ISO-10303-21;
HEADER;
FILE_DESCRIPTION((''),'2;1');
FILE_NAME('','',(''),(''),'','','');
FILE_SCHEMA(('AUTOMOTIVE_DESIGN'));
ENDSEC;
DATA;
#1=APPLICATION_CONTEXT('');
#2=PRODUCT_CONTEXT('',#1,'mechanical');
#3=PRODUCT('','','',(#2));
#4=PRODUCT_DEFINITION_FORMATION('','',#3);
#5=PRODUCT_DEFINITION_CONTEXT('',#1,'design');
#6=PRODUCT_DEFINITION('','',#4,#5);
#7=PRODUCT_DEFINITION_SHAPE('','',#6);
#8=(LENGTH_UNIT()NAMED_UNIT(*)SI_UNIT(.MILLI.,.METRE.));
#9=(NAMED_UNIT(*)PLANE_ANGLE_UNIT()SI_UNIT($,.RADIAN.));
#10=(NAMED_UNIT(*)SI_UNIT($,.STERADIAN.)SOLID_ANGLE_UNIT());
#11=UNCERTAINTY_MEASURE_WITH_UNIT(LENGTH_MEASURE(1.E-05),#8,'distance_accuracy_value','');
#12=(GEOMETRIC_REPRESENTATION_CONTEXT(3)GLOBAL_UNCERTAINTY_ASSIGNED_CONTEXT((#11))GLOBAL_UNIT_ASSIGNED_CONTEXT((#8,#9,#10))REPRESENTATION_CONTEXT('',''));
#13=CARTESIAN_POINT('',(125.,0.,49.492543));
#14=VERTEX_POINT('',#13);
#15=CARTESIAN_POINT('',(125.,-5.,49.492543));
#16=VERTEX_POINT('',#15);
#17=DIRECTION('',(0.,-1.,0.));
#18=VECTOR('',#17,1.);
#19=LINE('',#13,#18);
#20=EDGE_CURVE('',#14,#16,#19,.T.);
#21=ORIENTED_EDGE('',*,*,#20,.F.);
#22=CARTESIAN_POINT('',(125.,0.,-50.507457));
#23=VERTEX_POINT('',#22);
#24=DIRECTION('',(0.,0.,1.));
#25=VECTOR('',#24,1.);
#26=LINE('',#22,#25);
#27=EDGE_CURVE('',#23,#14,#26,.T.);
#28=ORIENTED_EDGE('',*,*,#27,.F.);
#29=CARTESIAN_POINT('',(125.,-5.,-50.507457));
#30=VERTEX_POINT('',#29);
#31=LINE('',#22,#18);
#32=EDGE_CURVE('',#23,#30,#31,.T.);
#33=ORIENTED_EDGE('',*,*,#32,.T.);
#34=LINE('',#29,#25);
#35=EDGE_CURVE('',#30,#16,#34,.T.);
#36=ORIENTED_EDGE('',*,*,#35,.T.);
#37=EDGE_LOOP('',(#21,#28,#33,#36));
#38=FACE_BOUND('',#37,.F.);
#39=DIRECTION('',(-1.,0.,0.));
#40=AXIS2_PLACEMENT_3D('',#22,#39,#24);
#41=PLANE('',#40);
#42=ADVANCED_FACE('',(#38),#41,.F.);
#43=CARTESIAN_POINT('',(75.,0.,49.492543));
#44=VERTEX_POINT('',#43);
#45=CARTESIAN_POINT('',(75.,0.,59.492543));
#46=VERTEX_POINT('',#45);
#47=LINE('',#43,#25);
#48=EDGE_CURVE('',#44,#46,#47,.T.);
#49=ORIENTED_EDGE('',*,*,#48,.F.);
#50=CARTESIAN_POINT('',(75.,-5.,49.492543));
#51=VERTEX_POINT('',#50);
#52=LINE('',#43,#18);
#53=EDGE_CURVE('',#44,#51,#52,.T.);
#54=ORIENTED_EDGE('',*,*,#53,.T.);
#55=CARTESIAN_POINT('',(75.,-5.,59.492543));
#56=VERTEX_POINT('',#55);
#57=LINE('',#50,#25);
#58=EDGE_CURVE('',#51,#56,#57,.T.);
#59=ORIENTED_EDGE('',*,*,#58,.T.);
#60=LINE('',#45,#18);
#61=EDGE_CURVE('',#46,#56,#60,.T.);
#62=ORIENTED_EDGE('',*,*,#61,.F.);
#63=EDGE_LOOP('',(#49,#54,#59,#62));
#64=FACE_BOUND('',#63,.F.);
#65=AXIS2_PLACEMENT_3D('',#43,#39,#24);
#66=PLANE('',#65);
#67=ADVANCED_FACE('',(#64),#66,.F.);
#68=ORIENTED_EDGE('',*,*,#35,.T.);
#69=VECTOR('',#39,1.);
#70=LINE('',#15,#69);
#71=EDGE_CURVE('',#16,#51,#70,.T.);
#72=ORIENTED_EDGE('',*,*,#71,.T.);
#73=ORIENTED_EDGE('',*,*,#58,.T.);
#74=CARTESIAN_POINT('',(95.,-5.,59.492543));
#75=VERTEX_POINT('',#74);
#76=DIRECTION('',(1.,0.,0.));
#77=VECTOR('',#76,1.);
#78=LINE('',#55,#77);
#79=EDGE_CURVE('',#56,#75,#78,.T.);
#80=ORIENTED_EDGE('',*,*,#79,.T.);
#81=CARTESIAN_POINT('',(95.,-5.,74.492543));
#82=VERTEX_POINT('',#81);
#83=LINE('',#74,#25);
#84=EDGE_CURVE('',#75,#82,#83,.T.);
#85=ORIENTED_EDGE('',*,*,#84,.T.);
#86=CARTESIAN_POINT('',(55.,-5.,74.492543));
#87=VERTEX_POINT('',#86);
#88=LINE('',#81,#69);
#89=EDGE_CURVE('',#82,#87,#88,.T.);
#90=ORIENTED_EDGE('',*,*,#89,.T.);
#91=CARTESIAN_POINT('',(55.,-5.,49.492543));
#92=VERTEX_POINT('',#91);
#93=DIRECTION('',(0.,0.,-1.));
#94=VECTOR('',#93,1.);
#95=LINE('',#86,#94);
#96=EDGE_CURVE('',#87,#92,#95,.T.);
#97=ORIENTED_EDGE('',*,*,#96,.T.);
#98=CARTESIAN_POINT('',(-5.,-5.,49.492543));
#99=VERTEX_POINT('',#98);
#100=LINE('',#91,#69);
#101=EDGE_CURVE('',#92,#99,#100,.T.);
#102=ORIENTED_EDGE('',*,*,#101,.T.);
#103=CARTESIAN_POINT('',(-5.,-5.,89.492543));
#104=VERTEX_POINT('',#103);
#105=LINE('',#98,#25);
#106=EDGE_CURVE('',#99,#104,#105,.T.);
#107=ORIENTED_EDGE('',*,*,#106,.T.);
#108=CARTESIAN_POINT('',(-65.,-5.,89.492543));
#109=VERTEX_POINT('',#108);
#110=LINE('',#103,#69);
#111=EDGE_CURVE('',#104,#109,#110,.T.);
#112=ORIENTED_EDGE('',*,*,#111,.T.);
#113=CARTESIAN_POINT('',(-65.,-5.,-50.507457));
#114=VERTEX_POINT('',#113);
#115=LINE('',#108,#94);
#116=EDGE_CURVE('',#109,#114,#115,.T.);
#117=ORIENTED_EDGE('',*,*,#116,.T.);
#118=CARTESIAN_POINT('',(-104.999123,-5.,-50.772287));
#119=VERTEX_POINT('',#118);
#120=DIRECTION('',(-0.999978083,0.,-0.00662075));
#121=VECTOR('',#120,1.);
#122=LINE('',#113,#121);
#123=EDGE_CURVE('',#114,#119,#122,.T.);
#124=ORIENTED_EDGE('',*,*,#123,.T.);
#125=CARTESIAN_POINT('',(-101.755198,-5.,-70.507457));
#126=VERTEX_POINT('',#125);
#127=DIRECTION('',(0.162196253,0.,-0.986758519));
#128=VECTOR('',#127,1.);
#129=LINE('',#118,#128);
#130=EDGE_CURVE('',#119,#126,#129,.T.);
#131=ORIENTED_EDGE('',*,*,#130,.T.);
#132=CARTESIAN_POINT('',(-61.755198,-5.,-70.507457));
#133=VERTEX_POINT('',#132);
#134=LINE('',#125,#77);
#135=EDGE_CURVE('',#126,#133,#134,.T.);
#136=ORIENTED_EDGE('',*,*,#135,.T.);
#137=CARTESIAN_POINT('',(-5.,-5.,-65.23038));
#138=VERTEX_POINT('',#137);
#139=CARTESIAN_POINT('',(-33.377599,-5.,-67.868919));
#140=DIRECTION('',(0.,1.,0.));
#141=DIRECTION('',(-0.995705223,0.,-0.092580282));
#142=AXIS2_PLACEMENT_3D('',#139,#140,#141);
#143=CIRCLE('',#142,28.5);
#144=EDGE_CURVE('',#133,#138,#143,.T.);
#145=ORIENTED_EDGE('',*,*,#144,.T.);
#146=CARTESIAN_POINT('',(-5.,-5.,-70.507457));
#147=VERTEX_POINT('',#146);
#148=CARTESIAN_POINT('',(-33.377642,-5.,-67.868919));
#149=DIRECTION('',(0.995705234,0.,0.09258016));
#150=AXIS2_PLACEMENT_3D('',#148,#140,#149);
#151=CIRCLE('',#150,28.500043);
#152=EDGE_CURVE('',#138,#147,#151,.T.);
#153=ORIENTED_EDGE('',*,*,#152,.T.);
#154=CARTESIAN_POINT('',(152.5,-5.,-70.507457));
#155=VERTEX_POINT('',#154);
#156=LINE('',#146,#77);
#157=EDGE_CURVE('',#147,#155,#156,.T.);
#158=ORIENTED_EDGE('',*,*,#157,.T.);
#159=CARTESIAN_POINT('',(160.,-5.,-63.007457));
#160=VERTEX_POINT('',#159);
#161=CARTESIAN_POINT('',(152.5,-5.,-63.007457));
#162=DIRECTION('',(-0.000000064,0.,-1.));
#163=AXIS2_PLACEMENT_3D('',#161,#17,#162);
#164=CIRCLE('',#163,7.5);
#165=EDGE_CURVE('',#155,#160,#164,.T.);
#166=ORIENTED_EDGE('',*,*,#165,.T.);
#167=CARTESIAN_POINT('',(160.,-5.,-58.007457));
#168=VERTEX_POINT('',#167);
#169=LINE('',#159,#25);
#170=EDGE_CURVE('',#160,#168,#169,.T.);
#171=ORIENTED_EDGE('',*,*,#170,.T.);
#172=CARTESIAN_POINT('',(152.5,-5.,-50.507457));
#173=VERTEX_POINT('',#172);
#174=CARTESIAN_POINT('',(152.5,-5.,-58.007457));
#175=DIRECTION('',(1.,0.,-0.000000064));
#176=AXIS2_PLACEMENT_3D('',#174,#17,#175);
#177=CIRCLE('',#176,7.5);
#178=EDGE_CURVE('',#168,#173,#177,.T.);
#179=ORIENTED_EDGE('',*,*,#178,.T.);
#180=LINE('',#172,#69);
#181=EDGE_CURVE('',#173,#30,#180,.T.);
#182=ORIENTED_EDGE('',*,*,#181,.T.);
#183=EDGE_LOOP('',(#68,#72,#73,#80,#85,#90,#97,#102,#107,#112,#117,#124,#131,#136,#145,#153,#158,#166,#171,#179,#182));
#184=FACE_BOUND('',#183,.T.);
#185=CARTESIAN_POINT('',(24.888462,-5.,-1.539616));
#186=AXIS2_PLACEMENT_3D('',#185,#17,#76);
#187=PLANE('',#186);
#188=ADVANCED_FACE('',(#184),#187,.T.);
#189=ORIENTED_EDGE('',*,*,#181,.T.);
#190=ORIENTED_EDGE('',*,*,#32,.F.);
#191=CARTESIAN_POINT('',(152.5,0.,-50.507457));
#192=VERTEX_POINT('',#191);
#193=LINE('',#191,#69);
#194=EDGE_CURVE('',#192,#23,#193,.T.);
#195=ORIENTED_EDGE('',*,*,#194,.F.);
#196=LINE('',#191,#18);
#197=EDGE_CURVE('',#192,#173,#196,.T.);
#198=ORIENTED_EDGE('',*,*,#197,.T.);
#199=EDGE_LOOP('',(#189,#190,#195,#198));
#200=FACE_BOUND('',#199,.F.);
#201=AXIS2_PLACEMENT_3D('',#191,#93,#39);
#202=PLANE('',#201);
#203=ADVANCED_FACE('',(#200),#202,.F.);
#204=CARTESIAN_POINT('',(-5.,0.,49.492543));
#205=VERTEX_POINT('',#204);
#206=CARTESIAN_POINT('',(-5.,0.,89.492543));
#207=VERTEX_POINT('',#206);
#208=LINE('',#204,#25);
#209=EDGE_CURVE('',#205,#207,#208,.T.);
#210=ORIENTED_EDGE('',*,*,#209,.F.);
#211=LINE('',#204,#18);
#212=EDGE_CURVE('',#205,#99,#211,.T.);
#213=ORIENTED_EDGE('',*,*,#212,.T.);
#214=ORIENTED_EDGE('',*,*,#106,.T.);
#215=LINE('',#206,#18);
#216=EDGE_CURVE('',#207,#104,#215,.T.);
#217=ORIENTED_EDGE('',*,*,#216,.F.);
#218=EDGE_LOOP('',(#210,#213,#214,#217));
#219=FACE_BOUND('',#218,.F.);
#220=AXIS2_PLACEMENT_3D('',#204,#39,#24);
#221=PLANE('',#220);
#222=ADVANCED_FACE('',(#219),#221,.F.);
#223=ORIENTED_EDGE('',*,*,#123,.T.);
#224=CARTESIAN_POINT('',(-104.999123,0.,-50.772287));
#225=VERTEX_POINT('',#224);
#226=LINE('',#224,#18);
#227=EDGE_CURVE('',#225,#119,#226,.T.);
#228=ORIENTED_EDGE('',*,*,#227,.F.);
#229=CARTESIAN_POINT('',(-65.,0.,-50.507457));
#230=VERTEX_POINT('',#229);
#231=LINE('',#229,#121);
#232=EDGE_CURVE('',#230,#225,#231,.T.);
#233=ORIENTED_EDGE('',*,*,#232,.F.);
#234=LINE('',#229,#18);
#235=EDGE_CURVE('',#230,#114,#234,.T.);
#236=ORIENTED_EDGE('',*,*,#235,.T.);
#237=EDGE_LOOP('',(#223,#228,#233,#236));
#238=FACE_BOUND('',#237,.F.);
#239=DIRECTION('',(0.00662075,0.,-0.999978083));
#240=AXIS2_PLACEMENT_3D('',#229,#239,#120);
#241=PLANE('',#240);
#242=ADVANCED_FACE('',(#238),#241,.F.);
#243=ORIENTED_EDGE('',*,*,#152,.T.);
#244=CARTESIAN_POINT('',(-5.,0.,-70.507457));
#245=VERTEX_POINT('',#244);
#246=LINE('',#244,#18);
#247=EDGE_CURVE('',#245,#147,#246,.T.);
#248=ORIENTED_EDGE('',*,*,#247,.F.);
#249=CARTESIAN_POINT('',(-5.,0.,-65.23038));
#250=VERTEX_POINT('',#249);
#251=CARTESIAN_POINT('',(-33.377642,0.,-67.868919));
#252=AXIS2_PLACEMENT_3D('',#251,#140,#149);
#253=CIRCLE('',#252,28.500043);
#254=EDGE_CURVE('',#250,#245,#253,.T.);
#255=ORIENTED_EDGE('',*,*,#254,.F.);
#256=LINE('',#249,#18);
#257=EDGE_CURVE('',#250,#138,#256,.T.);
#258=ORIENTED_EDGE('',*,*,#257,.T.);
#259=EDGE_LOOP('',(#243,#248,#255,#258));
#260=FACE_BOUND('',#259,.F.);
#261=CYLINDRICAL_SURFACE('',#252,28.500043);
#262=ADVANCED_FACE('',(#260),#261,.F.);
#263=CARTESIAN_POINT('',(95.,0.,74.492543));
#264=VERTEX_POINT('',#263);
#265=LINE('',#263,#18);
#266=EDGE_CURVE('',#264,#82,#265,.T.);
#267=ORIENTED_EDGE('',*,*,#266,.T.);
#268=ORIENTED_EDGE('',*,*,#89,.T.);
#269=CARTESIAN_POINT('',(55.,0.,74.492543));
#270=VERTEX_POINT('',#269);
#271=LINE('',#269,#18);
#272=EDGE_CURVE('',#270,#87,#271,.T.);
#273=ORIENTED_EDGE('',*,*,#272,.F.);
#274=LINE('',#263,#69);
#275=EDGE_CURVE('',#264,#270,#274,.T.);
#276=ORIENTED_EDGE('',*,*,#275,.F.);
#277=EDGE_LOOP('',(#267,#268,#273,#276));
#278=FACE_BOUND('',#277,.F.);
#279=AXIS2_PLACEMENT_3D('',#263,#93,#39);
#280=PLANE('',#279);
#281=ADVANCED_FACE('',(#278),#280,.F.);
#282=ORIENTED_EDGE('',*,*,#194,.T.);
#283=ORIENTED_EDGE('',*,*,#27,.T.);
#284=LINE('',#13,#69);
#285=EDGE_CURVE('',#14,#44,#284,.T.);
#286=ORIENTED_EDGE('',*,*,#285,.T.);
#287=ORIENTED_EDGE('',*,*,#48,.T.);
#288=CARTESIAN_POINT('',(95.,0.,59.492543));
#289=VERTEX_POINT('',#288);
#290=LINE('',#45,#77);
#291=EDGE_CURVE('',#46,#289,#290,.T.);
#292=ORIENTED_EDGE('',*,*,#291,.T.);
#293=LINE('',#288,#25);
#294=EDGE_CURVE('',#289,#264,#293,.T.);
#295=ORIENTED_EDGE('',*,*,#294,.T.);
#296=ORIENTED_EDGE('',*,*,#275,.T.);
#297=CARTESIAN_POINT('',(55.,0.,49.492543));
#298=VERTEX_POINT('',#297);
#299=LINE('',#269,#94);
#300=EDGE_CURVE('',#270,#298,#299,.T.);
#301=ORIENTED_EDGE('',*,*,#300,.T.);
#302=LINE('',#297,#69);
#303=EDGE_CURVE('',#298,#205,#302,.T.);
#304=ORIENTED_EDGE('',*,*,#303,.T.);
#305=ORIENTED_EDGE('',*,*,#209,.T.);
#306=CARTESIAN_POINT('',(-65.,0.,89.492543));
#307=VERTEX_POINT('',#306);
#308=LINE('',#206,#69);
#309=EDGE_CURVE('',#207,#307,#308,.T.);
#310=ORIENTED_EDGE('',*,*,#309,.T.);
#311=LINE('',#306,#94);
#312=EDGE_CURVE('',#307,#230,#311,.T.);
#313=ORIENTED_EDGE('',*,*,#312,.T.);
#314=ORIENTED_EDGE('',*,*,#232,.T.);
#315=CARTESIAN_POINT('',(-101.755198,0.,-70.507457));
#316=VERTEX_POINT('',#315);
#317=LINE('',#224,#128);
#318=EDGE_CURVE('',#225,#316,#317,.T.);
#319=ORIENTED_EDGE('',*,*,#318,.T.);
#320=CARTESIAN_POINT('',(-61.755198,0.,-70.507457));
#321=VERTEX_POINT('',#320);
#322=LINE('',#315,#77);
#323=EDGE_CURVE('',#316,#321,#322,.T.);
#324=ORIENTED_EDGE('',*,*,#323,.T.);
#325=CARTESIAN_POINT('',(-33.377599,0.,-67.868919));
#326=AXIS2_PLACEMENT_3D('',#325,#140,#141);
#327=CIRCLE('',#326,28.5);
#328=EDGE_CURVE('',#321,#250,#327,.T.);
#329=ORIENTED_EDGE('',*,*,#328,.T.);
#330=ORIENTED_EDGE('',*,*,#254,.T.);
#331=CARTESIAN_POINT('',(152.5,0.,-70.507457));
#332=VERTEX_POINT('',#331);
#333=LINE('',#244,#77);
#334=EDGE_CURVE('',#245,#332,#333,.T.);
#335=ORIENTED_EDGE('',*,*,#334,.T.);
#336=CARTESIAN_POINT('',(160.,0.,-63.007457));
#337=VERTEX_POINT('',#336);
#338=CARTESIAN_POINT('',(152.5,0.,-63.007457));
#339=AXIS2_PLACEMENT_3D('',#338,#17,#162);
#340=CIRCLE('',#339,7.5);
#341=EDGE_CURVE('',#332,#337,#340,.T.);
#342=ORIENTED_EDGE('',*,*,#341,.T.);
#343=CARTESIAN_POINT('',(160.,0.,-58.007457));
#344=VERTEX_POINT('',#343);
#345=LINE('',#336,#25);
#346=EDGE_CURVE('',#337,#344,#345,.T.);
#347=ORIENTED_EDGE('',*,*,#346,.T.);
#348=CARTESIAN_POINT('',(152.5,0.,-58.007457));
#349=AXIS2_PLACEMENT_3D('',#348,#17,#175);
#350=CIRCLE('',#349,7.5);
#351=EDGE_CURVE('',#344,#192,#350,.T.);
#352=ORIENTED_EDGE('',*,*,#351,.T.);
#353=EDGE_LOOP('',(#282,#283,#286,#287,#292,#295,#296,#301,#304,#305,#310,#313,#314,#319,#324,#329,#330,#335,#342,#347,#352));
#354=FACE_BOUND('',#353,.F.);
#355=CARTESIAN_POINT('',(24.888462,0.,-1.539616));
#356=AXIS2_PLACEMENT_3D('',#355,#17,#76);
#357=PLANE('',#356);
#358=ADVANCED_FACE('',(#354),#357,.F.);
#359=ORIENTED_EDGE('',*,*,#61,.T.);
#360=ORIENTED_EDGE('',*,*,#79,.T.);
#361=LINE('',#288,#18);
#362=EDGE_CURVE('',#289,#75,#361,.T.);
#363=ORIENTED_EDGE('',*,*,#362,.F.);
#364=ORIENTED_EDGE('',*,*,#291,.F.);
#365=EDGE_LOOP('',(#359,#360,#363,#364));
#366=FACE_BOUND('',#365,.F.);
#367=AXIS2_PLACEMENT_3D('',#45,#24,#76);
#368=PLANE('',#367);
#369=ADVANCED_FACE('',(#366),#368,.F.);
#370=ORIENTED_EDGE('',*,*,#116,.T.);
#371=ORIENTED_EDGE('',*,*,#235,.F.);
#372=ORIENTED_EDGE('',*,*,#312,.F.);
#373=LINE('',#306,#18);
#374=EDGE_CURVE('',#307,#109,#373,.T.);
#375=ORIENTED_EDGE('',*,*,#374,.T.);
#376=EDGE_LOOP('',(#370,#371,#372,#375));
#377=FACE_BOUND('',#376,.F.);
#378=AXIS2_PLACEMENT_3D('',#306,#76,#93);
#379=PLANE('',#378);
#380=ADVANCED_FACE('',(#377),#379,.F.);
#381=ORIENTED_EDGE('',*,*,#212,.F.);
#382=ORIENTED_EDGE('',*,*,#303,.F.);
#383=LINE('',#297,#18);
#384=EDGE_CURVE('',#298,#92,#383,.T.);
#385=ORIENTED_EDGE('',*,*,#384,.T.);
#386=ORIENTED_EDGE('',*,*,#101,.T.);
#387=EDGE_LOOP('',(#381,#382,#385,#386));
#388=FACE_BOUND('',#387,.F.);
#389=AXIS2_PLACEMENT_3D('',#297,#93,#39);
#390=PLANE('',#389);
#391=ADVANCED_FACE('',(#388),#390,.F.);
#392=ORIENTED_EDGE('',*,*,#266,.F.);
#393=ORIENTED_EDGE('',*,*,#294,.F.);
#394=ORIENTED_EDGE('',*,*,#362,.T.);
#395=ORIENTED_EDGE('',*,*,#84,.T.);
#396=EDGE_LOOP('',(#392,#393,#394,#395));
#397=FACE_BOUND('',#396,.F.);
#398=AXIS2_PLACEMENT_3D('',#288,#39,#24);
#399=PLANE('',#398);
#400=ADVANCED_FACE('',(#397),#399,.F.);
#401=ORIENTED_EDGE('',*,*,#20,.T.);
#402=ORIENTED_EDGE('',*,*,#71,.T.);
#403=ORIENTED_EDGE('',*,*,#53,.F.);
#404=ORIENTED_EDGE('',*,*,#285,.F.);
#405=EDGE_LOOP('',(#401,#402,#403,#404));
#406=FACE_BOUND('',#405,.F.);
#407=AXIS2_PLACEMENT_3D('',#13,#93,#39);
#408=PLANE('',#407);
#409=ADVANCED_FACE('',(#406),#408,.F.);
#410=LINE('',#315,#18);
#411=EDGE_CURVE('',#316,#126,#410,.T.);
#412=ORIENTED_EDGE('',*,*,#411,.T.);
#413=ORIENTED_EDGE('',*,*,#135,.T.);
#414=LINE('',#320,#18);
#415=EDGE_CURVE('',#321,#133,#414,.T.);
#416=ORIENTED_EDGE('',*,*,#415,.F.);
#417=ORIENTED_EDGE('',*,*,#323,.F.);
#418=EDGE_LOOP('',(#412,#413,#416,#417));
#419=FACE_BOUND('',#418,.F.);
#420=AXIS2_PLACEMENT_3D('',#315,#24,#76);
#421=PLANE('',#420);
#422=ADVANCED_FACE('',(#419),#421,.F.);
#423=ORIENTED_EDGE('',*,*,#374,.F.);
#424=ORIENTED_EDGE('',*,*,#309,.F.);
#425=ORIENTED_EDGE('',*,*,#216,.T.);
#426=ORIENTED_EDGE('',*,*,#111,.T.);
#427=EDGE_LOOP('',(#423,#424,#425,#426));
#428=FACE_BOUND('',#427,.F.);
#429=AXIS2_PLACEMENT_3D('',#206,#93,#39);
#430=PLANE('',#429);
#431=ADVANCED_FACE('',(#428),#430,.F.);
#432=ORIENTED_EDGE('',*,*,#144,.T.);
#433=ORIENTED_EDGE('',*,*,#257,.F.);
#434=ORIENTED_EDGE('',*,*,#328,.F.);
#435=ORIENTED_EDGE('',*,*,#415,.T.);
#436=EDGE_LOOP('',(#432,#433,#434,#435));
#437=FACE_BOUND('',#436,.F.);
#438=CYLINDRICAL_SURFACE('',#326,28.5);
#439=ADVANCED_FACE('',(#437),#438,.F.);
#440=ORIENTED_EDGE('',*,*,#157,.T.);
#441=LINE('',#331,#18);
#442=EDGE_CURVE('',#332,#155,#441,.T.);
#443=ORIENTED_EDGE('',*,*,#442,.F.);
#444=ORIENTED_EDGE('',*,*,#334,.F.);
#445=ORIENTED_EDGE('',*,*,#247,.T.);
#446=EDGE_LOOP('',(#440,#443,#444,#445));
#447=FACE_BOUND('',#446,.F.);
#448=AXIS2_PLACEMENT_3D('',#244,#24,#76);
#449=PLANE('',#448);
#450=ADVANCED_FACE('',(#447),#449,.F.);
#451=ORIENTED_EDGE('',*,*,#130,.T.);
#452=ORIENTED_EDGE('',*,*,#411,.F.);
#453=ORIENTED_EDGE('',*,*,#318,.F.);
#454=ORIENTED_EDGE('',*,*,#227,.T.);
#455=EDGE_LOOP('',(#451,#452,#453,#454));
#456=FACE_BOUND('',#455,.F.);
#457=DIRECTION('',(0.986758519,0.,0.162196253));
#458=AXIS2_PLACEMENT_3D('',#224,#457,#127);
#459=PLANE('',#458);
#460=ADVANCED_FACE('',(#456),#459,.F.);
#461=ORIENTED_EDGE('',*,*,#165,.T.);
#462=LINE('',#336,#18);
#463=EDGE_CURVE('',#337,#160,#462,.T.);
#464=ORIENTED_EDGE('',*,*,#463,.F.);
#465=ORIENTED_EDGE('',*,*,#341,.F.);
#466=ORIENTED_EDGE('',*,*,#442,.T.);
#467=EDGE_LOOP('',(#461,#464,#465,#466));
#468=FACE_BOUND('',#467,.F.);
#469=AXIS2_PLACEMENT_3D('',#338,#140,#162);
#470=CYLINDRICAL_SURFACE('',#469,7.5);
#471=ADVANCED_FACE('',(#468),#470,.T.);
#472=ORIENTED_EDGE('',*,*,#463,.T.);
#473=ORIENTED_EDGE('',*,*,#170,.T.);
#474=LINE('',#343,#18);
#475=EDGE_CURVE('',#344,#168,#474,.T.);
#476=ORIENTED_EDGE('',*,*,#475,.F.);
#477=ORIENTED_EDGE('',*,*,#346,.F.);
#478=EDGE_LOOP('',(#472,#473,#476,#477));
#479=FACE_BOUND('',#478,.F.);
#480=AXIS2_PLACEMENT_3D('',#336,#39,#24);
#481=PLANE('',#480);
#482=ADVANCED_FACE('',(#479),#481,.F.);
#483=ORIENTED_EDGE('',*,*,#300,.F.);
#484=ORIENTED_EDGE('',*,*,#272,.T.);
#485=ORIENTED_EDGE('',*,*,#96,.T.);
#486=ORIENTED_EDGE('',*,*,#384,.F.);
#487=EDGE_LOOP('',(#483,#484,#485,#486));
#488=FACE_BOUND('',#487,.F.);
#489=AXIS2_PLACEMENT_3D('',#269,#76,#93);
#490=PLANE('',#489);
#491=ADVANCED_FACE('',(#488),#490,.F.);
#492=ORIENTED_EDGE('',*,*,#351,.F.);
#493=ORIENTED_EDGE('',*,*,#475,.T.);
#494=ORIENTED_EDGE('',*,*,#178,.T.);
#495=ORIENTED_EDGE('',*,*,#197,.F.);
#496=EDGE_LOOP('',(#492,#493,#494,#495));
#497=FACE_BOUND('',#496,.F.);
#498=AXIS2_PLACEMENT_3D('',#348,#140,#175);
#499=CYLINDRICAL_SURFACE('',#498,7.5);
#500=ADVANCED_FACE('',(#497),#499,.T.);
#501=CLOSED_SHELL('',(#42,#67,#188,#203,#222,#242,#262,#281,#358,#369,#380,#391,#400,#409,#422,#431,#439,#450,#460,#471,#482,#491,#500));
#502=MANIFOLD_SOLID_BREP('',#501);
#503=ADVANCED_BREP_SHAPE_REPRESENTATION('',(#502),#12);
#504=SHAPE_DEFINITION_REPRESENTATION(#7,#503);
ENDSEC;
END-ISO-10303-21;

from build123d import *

# Parameters (mm, degrees)
F1_DEPTH = 5


with BuildPart() as f1:
    # F0 (on Front) → F1 (new body)
    with BuildSketch(Plane.XZ):
        with BuildLine():
            Line((-5, 89.492543), (-65, 89.492543))
            Line((-65, 89.492543), (-65, -50.507457))
            Line((-65, -50.507457), (-104.999123, -50.772287))
            Line((-104.999123, -50.772287), (-101.755198, -70.507457))
            Line((-101.755198, -70.507457), (-61.755198, -70.507457))
            ThreePointArc((-61.755198, -70.507457), (-36.016138, -39.49132), (-5, -65.23038))
            ThreePointArc((-5, -65.23038), (-4.877599, -67.868918), (-5, -70.507457))
            Line((-5, -70.507457), (125, -70.507457))
            Line((125, -70.507457), (152.5, -70.507457))
            ThreePointArc((152.5, -70.507457), (157.803301, -68.310758), (160, -63.007457))
            Line((160, -63.007457), (160, -58.007457))
            ThreePointArc((160, -58.007457), (157.803301, -52.704156), (152.5, -50.507457))
            Line((152.5, -50.507457), (125, -50.507457))
            Line((125, -50.507457), (125, -2.5))
            Line((125, -2.5), (125, 0))
            Line((125, 0), (125, 49.492543))
            Line((125, 49.492543), (75, 49.492543))
            Line((75, 49.492543), (75, 59.492543))
            Line((75, 59.492543), (95, 59.492543))
            Line((95, 59.492543), (95, 74.492543))
            Line((95, 74.492543), (55, 74.492543))
            Line((55, 74.492543), (55, 49.492543))
            Line((55, 49.492543), (-5, 49.492543))
            Line((-5, 49.492543), (-5, 89.492543))
        make_face()
    extrude(amount=F1_DEPTH)


solid = f1.part
